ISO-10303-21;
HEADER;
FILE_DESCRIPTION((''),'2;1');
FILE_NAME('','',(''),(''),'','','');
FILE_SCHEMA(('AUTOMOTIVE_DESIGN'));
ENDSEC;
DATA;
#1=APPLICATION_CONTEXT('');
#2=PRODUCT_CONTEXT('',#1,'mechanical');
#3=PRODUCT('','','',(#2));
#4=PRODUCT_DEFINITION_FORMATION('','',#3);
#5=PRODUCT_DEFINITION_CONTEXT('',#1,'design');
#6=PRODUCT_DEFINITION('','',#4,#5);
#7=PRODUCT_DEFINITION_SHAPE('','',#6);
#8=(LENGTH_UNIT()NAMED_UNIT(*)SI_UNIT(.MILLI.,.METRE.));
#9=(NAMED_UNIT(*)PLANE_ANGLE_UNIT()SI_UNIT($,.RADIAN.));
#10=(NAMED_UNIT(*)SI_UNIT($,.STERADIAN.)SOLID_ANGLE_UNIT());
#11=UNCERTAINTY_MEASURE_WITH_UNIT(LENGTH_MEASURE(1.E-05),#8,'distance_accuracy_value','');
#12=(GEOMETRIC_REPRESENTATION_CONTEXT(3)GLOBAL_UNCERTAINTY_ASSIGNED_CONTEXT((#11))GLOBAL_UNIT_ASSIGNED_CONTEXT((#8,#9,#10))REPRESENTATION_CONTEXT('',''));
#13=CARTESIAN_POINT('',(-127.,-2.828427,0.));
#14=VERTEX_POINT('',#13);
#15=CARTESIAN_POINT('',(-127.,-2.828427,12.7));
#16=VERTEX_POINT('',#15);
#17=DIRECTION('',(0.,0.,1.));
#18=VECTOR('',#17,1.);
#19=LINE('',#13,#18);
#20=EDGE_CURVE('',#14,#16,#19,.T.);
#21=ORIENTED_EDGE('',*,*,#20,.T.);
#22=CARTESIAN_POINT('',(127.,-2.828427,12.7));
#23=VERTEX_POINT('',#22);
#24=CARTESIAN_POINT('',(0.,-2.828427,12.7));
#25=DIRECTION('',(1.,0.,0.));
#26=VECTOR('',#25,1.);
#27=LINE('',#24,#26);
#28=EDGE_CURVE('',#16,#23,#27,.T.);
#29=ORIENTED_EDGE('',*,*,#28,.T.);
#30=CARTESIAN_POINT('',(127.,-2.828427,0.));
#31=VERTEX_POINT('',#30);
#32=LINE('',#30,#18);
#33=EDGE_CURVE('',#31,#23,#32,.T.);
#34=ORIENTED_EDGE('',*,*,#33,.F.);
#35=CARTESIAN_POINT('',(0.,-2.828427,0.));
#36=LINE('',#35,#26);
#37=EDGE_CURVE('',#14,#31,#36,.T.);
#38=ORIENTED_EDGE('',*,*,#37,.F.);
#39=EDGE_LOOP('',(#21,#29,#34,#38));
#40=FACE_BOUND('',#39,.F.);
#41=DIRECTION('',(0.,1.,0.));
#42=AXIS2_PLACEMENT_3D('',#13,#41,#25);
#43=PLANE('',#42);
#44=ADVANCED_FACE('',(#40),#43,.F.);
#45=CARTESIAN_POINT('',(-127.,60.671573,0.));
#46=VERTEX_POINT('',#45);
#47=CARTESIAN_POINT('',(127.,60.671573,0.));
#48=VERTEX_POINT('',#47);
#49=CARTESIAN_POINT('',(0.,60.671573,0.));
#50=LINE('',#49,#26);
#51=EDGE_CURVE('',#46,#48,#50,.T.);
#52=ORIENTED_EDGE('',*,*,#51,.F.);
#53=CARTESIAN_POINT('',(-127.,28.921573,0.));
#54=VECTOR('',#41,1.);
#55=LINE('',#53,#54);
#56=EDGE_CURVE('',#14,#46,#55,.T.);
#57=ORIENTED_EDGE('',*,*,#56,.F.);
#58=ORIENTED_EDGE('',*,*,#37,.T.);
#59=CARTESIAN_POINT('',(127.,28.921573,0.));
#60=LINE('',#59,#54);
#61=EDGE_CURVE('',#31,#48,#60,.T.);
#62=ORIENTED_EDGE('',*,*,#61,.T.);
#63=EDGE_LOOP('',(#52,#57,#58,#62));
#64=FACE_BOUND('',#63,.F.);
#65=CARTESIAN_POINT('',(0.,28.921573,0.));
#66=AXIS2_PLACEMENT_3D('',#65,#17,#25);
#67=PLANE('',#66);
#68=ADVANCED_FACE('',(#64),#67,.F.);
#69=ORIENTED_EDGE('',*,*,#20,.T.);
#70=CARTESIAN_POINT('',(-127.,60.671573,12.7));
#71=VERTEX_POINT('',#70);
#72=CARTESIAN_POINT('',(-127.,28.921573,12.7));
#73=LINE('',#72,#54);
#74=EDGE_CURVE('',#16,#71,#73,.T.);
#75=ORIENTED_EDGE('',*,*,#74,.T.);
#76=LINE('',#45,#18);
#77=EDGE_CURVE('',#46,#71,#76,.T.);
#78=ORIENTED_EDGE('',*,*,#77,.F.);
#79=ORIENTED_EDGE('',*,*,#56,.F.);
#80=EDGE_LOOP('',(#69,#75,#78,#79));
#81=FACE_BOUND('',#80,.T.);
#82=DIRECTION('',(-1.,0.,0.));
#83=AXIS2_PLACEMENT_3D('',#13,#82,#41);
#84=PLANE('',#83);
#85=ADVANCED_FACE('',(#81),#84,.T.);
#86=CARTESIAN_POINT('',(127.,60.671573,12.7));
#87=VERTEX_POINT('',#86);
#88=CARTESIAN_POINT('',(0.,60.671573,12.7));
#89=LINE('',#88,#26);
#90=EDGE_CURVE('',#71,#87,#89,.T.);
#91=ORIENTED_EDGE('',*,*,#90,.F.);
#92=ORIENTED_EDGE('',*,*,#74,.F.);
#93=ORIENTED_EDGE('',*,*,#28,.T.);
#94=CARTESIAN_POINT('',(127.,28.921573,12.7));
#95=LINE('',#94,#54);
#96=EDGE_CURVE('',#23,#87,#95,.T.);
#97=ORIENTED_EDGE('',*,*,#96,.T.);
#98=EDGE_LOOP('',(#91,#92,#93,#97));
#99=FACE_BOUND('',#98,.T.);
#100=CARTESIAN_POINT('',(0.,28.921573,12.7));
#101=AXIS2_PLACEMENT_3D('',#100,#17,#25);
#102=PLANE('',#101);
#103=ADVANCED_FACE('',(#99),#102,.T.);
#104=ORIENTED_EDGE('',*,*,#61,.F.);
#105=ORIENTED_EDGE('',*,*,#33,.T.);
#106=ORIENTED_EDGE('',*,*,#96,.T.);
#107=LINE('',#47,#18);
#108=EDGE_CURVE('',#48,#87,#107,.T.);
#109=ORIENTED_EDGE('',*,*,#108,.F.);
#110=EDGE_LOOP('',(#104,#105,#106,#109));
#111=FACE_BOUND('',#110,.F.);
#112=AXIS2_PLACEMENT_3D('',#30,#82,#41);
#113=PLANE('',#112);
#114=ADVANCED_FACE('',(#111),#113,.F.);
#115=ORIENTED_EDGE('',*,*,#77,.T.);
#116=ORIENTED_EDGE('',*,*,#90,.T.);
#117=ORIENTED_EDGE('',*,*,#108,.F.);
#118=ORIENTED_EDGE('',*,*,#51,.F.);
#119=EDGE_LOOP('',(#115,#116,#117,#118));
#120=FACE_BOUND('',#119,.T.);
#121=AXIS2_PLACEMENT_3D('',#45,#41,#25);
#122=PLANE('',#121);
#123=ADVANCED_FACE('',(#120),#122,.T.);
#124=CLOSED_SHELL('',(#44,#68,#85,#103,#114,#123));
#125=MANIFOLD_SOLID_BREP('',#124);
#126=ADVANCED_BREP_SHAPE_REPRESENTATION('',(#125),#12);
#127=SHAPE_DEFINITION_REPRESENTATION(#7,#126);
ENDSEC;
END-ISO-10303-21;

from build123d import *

# Parameters (mm, degrees)
SKETCH_W  = 254
SKETCH_H  = 63.5
PAD_DEPTH = 12.7


with BuildPart() as part:
    # Sketch → Pad (new body)
    with BuildSketch(Plane.XY):
        with Locations((0, 28.921573)):
            Rectangle(SKETCH_W, SKETCH_H)
    extrude(amount=PAD_DEPTH)


solid = part.part
